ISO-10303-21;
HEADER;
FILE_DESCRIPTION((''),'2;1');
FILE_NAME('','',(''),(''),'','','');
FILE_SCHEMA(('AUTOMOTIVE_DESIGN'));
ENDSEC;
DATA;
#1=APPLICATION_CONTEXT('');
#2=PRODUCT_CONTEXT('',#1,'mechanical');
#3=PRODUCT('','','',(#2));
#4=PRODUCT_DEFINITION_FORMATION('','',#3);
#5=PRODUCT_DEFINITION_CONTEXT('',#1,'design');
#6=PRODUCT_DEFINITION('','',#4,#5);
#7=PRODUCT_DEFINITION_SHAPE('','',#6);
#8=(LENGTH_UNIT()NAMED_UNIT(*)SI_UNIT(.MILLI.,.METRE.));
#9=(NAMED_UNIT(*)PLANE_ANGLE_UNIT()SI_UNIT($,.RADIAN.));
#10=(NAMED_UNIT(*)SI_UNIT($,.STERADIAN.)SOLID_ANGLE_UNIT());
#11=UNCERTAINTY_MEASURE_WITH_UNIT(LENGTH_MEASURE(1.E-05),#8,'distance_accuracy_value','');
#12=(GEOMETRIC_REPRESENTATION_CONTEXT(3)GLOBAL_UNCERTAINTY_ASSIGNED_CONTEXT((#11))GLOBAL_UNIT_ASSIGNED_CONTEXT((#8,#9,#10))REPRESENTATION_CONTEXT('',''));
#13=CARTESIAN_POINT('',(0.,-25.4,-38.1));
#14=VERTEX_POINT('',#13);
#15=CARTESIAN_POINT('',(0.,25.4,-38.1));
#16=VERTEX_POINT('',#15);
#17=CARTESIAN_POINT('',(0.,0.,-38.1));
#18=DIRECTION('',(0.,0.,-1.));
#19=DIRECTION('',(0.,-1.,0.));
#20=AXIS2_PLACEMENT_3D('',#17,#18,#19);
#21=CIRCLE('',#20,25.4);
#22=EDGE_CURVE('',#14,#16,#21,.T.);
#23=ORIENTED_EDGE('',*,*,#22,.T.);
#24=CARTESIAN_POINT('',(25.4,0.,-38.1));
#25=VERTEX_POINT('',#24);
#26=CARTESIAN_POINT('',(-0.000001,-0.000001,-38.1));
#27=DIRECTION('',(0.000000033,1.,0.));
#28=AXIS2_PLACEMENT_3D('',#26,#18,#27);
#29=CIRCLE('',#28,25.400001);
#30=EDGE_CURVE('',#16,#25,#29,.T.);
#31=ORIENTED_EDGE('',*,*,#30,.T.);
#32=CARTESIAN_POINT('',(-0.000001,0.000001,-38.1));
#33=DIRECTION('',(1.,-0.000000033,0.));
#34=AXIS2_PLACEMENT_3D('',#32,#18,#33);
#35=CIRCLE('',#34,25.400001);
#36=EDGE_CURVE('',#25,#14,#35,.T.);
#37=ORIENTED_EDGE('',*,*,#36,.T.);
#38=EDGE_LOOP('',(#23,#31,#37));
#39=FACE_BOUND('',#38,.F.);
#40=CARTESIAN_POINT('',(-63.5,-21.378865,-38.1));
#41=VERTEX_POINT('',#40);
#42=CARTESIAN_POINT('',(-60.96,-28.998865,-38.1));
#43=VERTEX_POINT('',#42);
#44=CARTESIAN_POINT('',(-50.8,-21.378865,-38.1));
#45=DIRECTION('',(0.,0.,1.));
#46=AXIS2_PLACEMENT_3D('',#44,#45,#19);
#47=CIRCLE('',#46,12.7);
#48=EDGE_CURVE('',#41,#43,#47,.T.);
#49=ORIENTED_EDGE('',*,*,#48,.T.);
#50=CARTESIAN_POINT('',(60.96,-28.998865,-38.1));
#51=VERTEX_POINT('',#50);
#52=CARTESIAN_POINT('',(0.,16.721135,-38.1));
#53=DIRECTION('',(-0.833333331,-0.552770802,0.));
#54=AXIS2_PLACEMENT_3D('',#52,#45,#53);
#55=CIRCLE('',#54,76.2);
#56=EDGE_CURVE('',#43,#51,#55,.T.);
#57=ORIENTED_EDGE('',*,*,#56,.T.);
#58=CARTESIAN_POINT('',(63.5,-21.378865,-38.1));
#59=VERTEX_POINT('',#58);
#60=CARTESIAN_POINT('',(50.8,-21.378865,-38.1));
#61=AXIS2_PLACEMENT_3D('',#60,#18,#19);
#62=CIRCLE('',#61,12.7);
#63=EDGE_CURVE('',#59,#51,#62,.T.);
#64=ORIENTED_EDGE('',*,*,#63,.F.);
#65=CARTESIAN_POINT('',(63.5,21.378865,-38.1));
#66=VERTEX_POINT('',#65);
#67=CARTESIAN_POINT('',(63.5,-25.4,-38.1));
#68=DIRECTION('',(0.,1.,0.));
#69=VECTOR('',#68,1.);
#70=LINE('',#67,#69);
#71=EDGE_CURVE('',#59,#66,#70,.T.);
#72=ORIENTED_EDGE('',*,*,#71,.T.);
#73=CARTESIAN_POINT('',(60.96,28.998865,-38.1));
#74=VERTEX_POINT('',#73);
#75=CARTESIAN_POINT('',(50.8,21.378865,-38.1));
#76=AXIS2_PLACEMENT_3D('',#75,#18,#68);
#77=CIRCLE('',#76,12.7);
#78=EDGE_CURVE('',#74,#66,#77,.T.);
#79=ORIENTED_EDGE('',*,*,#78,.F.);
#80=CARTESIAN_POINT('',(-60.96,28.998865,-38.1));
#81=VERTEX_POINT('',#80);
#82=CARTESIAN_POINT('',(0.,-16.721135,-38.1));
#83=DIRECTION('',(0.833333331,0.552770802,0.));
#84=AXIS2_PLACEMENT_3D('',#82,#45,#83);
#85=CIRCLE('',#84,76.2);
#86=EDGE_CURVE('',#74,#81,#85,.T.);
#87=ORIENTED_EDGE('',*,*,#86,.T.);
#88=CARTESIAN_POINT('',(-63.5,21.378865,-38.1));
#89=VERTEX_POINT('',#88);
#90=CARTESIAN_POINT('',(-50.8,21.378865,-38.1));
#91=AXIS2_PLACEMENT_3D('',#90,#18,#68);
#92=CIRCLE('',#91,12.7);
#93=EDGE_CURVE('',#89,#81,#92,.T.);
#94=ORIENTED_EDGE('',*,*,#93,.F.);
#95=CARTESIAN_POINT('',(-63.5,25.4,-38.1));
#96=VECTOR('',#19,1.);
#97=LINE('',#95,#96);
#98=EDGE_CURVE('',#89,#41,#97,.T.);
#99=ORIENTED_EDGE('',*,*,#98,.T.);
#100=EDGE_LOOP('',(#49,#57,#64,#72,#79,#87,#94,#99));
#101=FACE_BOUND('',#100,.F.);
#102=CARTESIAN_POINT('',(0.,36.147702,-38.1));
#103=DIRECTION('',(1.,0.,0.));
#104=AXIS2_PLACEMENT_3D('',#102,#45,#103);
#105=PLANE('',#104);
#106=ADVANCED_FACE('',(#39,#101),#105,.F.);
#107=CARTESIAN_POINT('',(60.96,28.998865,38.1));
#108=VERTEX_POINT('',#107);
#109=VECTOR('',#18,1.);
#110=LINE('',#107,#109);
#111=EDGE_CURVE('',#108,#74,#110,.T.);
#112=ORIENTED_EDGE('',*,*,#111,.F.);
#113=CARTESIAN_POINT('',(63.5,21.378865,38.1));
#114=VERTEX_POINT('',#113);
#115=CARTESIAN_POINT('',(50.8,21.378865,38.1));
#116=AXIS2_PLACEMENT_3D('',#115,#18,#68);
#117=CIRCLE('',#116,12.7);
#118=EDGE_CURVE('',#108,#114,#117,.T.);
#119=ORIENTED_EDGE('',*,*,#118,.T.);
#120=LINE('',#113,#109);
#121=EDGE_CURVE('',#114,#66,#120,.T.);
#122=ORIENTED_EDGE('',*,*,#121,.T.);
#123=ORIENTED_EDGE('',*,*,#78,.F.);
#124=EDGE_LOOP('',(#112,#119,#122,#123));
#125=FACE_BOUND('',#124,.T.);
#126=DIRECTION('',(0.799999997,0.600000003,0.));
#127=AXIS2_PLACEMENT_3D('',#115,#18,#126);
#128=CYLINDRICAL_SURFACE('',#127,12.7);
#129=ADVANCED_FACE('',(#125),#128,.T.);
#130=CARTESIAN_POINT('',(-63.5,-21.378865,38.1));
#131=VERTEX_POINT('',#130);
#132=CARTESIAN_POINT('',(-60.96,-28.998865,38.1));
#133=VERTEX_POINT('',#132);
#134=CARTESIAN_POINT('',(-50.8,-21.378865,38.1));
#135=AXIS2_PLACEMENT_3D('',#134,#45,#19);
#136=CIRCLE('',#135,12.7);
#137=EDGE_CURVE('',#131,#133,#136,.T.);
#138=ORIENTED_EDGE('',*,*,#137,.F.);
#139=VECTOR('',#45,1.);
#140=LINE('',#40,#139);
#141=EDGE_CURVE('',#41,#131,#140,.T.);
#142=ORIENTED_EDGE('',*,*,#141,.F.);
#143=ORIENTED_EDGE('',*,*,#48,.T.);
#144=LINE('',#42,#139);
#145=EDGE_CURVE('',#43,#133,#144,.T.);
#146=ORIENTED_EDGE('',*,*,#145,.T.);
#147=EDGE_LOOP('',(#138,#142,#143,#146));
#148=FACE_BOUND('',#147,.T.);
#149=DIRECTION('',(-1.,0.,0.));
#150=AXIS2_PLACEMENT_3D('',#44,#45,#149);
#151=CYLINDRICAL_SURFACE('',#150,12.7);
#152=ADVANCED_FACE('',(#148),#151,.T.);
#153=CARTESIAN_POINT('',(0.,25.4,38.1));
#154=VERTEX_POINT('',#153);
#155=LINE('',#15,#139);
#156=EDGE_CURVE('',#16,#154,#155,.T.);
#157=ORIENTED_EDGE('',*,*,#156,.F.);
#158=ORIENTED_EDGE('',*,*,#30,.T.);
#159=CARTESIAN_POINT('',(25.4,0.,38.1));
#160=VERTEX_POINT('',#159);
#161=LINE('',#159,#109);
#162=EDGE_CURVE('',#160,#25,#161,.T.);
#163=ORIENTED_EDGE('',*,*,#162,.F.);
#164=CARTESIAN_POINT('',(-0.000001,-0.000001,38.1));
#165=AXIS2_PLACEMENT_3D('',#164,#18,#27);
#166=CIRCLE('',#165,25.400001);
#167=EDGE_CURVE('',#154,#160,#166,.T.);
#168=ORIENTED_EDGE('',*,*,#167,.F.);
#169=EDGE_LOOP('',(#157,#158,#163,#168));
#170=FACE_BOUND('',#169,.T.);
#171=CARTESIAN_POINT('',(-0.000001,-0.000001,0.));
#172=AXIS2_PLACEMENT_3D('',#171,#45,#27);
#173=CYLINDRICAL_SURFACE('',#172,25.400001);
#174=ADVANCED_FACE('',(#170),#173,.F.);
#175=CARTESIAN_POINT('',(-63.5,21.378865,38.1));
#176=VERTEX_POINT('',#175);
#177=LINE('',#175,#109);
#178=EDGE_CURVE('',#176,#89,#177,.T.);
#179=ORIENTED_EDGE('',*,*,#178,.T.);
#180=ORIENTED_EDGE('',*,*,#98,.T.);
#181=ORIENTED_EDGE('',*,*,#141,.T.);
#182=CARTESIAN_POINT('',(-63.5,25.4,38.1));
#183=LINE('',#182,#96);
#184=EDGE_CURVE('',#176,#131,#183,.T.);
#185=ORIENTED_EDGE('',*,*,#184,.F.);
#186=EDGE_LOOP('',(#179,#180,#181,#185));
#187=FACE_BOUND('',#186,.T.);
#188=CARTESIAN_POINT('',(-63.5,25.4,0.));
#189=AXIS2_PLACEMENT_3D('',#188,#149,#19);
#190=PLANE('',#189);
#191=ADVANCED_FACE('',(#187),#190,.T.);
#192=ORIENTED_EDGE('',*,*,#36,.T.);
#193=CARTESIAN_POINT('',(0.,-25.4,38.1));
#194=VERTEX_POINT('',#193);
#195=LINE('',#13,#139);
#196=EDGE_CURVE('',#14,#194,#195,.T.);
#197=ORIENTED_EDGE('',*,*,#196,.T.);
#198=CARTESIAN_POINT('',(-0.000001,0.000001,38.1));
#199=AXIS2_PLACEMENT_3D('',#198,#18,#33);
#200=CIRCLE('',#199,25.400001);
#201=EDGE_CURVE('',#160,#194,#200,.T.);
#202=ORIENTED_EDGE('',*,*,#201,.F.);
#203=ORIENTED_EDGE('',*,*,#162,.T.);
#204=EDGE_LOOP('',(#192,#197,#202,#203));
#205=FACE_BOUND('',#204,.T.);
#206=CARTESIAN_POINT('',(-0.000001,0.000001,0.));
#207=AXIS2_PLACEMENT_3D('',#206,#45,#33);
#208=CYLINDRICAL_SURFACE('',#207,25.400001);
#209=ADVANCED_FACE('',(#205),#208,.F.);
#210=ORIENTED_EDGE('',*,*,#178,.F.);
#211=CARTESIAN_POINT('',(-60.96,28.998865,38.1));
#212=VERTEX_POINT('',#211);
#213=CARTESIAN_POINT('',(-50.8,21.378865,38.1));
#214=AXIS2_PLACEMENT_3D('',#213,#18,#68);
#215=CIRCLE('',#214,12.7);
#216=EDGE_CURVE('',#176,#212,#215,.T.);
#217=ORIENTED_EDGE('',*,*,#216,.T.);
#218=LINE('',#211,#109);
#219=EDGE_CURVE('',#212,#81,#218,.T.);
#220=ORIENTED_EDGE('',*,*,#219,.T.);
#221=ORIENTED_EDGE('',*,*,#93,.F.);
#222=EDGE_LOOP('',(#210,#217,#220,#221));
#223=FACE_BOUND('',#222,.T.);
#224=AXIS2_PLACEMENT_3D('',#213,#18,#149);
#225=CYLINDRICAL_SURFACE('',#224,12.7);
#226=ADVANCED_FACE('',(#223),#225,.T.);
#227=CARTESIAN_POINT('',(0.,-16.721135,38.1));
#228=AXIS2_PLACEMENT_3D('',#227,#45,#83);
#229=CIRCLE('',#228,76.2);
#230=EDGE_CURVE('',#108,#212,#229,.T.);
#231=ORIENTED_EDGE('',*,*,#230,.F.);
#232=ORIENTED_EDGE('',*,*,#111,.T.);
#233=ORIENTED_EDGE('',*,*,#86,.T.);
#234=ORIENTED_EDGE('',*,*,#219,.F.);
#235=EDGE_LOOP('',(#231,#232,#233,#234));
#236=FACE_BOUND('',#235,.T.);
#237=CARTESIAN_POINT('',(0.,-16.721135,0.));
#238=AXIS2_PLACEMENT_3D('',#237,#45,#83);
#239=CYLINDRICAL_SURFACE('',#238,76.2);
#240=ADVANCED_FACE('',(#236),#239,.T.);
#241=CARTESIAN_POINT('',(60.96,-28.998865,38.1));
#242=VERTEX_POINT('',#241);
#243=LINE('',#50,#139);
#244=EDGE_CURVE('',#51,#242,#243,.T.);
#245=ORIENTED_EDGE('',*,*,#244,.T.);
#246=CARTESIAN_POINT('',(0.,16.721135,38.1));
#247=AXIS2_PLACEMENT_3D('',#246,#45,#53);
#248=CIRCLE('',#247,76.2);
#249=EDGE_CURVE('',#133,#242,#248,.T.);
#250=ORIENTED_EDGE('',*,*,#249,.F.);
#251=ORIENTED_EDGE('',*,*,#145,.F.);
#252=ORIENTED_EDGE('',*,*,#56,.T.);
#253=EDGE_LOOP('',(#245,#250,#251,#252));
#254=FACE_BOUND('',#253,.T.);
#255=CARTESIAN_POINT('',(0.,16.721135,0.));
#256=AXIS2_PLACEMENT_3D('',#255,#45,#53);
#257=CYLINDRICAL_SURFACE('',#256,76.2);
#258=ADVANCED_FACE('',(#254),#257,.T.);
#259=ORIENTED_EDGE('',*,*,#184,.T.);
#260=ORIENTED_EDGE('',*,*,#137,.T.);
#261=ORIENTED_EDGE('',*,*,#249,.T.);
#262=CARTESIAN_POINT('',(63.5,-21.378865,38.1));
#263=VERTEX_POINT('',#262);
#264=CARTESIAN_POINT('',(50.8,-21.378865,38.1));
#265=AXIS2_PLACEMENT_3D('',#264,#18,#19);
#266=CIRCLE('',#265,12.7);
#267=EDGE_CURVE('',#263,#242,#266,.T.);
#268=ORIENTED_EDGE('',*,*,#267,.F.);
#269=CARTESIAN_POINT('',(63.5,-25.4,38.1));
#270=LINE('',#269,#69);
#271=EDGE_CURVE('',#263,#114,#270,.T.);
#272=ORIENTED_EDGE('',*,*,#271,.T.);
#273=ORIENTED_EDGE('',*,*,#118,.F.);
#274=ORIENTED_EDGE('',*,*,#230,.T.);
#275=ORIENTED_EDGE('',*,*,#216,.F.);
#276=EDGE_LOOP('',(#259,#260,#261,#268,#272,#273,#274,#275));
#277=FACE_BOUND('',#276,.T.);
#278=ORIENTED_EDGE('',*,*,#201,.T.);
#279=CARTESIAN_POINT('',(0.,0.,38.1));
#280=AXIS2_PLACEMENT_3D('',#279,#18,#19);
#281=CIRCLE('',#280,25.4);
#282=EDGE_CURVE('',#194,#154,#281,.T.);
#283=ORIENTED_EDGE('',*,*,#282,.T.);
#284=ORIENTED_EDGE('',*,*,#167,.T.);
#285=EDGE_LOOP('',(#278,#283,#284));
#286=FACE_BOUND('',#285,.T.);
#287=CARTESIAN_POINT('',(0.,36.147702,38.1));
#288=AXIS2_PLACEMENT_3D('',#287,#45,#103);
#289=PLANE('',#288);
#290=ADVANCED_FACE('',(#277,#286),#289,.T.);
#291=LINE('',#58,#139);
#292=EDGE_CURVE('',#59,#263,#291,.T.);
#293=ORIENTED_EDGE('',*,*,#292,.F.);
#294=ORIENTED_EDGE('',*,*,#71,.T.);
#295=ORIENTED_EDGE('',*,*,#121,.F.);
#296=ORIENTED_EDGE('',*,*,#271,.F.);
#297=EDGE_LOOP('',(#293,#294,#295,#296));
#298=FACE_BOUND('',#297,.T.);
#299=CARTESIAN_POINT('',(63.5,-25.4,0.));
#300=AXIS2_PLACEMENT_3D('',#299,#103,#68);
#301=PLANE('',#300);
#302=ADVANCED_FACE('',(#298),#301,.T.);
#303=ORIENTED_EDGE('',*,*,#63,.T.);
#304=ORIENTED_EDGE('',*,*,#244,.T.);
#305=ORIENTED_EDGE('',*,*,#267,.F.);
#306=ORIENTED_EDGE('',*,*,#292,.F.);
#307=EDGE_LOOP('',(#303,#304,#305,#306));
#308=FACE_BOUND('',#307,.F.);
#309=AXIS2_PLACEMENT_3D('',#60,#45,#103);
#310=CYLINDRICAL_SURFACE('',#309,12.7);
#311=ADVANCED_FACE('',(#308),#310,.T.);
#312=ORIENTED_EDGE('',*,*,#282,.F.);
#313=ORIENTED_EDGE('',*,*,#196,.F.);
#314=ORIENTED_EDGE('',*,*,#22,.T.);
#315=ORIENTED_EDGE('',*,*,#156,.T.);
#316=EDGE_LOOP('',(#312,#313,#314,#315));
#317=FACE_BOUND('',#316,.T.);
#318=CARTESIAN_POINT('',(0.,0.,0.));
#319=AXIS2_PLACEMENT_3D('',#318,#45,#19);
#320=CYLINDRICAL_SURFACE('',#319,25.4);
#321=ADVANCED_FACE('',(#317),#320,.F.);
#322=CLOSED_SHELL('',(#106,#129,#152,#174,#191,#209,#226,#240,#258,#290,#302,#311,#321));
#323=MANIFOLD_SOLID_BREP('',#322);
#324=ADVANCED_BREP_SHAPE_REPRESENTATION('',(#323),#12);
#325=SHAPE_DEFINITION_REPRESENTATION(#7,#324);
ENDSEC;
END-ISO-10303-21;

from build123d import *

# Parameters (mm, degrees)
F1_DEPTH = 38.1
F2_R     = 12.7


with BuildPart() as f1:
    # F0 (on Top) → F1 (new body, symmetric)
    with BuildSketch(Plane.XY):
        with BuildLine():
            Line((0, 25.4), (63.5, 25.4))
            ThreePointArc((63.5, 25.4), (0, 59.478865), (-63.5, 25.4))
            Line((-63.5, 25.4), (0, 25.4))
        make_face()
        with BuildLine():
            ThreePointArc((0, -25.4), (-25.4, 0), (0, 25.4))
            Line((0, 25.4), (-63.5, 25.4))
            Line((-63.5, 25.4), (-63.5, -25.4))
            Line((-63.5, -25.4), (0, -25.4))
        make_face()
        with BuildLine():
            Line((63.5, -25.4), (63.5, 25.4))
            Line((63.5, 25.4), (0, 25.4))
            ThreePointArc((0, 25.4), (17.960512, 17.960512), (25.4, 0))
            ThreePointArc((25.4, 0), (17.960512, -17.960512), (0, -25.4))
            Line((0, -25.4), (63.5, -25.4))
        make_face()
        with BuildLine():
            ThreePointArc((-63.5, -25.4), (0, -59.478865), (63.5, -25.4))
            Line((63.5, -25.4), (0, -25.4))
            Line((0, -25.4), (-63.5, -25.4))
        make_face()
    extrude(amount=F1_DEPTH, both=True)

    # F2
    f2_edges = [f1.edges().sort_by_distance(p)[0] for p in [
        (-63.5, 25.4, 0),
        (-63.5, -25.4, 0),
        (63.5, 25.4, 0),
        (63.5, -25.4, 0),
    ]]
    fillet(f2_edges, radius=F2_R)


solid = f1.part
